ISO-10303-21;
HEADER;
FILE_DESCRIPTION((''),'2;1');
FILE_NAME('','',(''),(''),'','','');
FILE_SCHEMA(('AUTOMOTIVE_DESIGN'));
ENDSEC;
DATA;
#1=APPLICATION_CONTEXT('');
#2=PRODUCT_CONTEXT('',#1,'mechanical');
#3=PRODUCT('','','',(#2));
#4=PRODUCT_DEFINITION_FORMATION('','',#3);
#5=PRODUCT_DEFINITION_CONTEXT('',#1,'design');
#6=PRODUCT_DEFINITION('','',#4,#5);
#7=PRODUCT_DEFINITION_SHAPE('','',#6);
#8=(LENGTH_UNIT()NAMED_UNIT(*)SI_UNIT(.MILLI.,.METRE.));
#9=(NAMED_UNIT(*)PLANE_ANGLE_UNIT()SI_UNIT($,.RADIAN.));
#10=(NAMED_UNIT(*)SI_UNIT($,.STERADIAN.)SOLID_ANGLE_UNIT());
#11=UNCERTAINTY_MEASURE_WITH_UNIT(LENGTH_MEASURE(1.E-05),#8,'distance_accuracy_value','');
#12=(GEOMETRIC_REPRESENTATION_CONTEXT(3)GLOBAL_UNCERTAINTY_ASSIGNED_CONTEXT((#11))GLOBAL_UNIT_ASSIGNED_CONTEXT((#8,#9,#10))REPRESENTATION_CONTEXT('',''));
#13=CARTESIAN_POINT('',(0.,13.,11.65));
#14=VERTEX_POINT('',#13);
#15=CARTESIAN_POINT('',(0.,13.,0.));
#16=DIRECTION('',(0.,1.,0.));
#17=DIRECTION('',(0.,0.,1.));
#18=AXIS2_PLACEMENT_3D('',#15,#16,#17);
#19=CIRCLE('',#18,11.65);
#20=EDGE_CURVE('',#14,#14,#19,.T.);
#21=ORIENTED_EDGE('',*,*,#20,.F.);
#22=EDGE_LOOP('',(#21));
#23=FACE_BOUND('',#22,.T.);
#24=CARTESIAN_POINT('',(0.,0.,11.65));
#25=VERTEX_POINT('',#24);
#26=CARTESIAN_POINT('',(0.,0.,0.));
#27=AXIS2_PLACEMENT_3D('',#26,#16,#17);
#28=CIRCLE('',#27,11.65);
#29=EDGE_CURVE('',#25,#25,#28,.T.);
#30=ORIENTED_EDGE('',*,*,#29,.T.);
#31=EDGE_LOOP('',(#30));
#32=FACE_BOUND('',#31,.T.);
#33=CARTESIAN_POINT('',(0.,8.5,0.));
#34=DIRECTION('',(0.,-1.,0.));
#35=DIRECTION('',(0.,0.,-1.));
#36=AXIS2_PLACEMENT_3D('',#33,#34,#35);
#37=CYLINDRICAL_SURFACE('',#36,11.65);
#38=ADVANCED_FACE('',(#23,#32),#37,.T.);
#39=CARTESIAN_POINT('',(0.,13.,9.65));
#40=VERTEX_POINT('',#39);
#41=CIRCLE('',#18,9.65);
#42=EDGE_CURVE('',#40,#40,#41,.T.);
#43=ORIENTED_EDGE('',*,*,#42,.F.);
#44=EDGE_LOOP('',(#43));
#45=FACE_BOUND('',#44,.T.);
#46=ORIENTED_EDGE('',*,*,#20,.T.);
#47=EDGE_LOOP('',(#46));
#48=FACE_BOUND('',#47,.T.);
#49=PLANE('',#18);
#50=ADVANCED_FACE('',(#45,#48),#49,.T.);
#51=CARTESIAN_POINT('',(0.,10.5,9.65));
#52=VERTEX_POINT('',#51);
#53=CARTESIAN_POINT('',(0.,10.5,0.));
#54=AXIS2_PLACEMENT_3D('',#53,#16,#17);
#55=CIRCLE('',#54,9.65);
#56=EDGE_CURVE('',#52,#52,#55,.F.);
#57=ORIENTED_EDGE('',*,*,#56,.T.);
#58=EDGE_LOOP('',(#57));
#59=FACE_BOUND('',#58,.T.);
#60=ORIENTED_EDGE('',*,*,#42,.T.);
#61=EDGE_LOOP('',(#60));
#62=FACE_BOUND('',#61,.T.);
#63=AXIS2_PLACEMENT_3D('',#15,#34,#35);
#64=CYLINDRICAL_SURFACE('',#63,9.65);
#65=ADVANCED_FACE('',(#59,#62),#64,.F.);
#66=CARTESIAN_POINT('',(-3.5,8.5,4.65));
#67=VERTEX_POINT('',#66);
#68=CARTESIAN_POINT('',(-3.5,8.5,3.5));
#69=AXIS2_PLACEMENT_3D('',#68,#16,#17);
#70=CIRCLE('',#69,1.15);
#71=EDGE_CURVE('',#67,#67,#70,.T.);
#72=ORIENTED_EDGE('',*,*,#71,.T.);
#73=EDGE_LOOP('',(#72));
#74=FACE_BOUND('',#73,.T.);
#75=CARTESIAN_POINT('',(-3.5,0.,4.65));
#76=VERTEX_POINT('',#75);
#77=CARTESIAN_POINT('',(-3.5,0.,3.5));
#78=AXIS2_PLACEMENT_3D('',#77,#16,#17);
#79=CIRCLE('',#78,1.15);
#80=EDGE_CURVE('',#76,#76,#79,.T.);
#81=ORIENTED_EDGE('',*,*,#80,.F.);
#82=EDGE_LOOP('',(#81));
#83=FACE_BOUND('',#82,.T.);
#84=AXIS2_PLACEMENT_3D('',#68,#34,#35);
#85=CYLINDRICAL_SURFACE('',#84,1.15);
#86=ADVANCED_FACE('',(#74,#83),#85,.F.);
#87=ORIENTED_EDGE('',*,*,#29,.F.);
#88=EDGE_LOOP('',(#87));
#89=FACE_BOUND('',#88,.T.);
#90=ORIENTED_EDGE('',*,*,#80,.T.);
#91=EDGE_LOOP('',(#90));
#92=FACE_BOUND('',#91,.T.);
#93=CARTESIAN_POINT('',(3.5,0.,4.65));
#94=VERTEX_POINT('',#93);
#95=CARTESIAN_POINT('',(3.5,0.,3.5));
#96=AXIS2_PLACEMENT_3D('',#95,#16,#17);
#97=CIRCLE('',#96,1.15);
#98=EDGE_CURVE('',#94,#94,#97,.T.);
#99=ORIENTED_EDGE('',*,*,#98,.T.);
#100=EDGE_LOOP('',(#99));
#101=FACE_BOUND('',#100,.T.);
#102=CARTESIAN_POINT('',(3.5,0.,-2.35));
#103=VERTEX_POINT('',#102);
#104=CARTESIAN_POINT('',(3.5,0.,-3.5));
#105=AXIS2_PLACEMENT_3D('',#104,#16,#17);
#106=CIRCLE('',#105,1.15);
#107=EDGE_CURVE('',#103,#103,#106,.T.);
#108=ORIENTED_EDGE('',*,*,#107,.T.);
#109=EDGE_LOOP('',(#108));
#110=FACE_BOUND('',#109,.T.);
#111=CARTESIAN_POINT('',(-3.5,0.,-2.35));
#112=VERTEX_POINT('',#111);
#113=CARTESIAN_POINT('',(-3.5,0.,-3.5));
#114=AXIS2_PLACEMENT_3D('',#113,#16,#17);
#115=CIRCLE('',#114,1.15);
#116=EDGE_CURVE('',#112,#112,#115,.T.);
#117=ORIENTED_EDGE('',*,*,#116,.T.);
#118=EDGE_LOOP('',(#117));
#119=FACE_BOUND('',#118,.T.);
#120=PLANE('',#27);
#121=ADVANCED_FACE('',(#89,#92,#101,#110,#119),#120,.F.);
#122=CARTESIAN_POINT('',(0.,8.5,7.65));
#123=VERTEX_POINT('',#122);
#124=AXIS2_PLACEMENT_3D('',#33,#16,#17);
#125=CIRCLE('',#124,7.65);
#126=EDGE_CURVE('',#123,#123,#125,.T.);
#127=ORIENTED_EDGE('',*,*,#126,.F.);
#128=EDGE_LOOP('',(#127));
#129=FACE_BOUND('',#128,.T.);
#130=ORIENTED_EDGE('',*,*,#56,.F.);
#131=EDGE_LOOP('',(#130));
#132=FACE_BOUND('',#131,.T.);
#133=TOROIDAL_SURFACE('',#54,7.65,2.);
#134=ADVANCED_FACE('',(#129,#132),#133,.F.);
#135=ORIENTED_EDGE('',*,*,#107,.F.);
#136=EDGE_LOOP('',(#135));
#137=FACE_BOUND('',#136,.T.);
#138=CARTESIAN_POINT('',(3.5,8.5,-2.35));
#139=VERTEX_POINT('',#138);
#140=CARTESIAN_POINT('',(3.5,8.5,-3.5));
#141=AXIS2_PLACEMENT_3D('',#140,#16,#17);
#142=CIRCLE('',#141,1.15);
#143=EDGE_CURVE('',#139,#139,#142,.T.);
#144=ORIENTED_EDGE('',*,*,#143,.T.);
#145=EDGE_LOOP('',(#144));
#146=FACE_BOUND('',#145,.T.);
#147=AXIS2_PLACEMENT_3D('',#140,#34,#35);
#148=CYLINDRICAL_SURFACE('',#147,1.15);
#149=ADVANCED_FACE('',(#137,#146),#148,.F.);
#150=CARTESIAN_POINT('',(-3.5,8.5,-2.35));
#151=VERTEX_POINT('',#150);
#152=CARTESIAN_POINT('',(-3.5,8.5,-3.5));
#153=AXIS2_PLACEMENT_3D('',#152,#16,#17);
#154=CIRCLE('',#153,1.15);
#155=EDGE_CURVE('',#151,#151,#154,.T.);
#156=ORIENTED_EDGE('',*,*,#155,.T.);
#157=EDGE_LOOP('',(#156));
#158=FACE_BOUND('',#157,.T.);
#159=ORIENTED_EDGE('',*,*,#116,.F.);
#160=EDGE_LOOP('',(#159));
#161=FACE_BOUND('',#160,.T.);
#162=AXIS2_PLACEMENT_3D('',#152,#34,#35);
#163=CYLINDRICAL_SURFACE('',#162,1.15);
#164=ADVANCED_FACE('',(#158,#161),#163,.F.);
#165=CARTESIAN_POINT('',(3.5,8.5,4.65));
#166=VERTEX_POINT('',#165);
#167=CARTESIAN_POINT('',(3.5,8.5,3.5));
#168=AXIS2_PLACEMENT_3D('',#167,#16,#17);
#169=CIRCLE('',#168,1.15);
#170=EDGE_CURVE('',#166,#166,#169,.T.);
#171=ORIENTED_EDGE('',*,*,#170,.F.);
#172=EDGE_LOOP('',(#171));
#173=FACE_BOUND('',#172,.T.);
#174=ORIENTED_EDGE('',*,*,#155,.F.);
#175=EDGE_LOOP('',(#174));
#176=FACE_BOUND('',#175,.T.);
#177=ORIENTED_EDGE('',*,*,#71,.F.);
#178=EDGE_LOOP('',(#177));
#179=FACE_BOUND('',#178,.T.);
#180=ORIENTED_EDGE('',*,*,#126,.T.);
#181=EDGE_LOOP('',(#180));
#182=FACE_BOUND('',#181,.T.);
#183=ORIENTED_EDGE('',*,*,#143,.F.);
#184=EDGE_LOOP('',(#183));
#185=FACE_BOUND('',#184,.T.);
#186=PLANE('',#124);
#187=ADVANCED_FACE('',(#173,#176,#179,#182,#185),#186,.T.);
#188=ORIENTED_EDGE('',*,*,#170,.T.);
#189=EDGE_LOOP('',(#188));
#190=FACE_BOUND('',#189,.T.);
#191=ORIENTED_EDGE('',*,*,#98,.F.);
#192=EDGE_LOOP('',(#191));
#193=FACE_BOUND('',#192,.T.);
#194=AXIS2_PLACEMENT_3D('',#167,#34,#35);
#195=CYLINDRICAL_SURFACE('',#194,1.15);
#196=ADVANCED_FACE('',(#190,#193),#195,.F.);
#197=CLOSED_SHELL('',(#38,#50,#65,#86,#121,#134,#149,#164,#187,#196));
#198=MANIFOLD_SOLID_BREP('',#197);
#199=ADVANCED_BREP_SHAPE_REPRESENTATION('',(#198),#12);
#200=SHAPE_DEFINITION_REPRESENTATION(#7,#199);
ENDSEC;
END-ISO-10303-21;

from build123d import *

# Parameters (mm, degrees)
SKETCH1_R           = 11.65
SKETCH1_R_2         = 1.15
BOSS_EXTRUDE1_DEPTH = 8.5
SKETCH3_R           = 11.65
SKETCH3_R_2         = 9.65
BOSS_EXTRUDE3_DEPTH = 4.5
FILLET2_R           = 2


with BuildPart() as part:
    # Sketch1 → Boss-Extrude1 (new body)
    with BuildSketch(Plane(origin=(0, 0, 0), x_dir=(1, 0, 0), z_dir=(0, 1, 0))):
        with Locations(Location((0, 0, 0), (0, 0, 270))):
            Circle(SKETCH1_R)
        with Locations(Location((-3.5, 3.5, 0), (0, 0, 270))):
            Circle(SKETCH1_R_2, mode=Mode.SUBTRACT)
        with Locations(Location((3.5, 3.5, 0), (0, 0, 270))):
            Circle(SKETCH1_R_2, mode=Mode.SUBTRACT)
        with Locations(Location((3.5, -3.5, 0), (0, 0, 270))):
            Circle(SKETCH1_R_2, mode=Mode.SUBTRACT)
        with Locations(Location((-3.5, -3.5, 0), (0, 0, 270))):
            Circle(SKETCH1_R_2, mode=Mode.SUBTRACT)
    extrude(amount=BOSS_EXTRUDE1_DEPTH)

    # Sketch3 → Boss-Extrude3 (add)
    with BuildSketch(Plane(origin=(0, 8.5, 0), x_dir=(1, 0, 0), z_dir=(0, 1, 0))):
        with Locations(Location((0, 0, 0), (0, 0, 270))):
            Circle(SKETCH3_R)
        with Locations(Location((0, 0, 0), (0, 0, 270))):
            Circle(SKETCH3_R_2, mode=Mode.SUBTRACT)
    extrude(amount=BOSS_EXTRUDE3_DEPTH)

    # Fillet2
    fillet2_edges = [part.edges().sort_by_distance(p)[0] for p in [
        (0, 8.5, -9.65),
    ]]
    fillet(fillet2_edges, radius=FILLET2_R)


solid = part.part
